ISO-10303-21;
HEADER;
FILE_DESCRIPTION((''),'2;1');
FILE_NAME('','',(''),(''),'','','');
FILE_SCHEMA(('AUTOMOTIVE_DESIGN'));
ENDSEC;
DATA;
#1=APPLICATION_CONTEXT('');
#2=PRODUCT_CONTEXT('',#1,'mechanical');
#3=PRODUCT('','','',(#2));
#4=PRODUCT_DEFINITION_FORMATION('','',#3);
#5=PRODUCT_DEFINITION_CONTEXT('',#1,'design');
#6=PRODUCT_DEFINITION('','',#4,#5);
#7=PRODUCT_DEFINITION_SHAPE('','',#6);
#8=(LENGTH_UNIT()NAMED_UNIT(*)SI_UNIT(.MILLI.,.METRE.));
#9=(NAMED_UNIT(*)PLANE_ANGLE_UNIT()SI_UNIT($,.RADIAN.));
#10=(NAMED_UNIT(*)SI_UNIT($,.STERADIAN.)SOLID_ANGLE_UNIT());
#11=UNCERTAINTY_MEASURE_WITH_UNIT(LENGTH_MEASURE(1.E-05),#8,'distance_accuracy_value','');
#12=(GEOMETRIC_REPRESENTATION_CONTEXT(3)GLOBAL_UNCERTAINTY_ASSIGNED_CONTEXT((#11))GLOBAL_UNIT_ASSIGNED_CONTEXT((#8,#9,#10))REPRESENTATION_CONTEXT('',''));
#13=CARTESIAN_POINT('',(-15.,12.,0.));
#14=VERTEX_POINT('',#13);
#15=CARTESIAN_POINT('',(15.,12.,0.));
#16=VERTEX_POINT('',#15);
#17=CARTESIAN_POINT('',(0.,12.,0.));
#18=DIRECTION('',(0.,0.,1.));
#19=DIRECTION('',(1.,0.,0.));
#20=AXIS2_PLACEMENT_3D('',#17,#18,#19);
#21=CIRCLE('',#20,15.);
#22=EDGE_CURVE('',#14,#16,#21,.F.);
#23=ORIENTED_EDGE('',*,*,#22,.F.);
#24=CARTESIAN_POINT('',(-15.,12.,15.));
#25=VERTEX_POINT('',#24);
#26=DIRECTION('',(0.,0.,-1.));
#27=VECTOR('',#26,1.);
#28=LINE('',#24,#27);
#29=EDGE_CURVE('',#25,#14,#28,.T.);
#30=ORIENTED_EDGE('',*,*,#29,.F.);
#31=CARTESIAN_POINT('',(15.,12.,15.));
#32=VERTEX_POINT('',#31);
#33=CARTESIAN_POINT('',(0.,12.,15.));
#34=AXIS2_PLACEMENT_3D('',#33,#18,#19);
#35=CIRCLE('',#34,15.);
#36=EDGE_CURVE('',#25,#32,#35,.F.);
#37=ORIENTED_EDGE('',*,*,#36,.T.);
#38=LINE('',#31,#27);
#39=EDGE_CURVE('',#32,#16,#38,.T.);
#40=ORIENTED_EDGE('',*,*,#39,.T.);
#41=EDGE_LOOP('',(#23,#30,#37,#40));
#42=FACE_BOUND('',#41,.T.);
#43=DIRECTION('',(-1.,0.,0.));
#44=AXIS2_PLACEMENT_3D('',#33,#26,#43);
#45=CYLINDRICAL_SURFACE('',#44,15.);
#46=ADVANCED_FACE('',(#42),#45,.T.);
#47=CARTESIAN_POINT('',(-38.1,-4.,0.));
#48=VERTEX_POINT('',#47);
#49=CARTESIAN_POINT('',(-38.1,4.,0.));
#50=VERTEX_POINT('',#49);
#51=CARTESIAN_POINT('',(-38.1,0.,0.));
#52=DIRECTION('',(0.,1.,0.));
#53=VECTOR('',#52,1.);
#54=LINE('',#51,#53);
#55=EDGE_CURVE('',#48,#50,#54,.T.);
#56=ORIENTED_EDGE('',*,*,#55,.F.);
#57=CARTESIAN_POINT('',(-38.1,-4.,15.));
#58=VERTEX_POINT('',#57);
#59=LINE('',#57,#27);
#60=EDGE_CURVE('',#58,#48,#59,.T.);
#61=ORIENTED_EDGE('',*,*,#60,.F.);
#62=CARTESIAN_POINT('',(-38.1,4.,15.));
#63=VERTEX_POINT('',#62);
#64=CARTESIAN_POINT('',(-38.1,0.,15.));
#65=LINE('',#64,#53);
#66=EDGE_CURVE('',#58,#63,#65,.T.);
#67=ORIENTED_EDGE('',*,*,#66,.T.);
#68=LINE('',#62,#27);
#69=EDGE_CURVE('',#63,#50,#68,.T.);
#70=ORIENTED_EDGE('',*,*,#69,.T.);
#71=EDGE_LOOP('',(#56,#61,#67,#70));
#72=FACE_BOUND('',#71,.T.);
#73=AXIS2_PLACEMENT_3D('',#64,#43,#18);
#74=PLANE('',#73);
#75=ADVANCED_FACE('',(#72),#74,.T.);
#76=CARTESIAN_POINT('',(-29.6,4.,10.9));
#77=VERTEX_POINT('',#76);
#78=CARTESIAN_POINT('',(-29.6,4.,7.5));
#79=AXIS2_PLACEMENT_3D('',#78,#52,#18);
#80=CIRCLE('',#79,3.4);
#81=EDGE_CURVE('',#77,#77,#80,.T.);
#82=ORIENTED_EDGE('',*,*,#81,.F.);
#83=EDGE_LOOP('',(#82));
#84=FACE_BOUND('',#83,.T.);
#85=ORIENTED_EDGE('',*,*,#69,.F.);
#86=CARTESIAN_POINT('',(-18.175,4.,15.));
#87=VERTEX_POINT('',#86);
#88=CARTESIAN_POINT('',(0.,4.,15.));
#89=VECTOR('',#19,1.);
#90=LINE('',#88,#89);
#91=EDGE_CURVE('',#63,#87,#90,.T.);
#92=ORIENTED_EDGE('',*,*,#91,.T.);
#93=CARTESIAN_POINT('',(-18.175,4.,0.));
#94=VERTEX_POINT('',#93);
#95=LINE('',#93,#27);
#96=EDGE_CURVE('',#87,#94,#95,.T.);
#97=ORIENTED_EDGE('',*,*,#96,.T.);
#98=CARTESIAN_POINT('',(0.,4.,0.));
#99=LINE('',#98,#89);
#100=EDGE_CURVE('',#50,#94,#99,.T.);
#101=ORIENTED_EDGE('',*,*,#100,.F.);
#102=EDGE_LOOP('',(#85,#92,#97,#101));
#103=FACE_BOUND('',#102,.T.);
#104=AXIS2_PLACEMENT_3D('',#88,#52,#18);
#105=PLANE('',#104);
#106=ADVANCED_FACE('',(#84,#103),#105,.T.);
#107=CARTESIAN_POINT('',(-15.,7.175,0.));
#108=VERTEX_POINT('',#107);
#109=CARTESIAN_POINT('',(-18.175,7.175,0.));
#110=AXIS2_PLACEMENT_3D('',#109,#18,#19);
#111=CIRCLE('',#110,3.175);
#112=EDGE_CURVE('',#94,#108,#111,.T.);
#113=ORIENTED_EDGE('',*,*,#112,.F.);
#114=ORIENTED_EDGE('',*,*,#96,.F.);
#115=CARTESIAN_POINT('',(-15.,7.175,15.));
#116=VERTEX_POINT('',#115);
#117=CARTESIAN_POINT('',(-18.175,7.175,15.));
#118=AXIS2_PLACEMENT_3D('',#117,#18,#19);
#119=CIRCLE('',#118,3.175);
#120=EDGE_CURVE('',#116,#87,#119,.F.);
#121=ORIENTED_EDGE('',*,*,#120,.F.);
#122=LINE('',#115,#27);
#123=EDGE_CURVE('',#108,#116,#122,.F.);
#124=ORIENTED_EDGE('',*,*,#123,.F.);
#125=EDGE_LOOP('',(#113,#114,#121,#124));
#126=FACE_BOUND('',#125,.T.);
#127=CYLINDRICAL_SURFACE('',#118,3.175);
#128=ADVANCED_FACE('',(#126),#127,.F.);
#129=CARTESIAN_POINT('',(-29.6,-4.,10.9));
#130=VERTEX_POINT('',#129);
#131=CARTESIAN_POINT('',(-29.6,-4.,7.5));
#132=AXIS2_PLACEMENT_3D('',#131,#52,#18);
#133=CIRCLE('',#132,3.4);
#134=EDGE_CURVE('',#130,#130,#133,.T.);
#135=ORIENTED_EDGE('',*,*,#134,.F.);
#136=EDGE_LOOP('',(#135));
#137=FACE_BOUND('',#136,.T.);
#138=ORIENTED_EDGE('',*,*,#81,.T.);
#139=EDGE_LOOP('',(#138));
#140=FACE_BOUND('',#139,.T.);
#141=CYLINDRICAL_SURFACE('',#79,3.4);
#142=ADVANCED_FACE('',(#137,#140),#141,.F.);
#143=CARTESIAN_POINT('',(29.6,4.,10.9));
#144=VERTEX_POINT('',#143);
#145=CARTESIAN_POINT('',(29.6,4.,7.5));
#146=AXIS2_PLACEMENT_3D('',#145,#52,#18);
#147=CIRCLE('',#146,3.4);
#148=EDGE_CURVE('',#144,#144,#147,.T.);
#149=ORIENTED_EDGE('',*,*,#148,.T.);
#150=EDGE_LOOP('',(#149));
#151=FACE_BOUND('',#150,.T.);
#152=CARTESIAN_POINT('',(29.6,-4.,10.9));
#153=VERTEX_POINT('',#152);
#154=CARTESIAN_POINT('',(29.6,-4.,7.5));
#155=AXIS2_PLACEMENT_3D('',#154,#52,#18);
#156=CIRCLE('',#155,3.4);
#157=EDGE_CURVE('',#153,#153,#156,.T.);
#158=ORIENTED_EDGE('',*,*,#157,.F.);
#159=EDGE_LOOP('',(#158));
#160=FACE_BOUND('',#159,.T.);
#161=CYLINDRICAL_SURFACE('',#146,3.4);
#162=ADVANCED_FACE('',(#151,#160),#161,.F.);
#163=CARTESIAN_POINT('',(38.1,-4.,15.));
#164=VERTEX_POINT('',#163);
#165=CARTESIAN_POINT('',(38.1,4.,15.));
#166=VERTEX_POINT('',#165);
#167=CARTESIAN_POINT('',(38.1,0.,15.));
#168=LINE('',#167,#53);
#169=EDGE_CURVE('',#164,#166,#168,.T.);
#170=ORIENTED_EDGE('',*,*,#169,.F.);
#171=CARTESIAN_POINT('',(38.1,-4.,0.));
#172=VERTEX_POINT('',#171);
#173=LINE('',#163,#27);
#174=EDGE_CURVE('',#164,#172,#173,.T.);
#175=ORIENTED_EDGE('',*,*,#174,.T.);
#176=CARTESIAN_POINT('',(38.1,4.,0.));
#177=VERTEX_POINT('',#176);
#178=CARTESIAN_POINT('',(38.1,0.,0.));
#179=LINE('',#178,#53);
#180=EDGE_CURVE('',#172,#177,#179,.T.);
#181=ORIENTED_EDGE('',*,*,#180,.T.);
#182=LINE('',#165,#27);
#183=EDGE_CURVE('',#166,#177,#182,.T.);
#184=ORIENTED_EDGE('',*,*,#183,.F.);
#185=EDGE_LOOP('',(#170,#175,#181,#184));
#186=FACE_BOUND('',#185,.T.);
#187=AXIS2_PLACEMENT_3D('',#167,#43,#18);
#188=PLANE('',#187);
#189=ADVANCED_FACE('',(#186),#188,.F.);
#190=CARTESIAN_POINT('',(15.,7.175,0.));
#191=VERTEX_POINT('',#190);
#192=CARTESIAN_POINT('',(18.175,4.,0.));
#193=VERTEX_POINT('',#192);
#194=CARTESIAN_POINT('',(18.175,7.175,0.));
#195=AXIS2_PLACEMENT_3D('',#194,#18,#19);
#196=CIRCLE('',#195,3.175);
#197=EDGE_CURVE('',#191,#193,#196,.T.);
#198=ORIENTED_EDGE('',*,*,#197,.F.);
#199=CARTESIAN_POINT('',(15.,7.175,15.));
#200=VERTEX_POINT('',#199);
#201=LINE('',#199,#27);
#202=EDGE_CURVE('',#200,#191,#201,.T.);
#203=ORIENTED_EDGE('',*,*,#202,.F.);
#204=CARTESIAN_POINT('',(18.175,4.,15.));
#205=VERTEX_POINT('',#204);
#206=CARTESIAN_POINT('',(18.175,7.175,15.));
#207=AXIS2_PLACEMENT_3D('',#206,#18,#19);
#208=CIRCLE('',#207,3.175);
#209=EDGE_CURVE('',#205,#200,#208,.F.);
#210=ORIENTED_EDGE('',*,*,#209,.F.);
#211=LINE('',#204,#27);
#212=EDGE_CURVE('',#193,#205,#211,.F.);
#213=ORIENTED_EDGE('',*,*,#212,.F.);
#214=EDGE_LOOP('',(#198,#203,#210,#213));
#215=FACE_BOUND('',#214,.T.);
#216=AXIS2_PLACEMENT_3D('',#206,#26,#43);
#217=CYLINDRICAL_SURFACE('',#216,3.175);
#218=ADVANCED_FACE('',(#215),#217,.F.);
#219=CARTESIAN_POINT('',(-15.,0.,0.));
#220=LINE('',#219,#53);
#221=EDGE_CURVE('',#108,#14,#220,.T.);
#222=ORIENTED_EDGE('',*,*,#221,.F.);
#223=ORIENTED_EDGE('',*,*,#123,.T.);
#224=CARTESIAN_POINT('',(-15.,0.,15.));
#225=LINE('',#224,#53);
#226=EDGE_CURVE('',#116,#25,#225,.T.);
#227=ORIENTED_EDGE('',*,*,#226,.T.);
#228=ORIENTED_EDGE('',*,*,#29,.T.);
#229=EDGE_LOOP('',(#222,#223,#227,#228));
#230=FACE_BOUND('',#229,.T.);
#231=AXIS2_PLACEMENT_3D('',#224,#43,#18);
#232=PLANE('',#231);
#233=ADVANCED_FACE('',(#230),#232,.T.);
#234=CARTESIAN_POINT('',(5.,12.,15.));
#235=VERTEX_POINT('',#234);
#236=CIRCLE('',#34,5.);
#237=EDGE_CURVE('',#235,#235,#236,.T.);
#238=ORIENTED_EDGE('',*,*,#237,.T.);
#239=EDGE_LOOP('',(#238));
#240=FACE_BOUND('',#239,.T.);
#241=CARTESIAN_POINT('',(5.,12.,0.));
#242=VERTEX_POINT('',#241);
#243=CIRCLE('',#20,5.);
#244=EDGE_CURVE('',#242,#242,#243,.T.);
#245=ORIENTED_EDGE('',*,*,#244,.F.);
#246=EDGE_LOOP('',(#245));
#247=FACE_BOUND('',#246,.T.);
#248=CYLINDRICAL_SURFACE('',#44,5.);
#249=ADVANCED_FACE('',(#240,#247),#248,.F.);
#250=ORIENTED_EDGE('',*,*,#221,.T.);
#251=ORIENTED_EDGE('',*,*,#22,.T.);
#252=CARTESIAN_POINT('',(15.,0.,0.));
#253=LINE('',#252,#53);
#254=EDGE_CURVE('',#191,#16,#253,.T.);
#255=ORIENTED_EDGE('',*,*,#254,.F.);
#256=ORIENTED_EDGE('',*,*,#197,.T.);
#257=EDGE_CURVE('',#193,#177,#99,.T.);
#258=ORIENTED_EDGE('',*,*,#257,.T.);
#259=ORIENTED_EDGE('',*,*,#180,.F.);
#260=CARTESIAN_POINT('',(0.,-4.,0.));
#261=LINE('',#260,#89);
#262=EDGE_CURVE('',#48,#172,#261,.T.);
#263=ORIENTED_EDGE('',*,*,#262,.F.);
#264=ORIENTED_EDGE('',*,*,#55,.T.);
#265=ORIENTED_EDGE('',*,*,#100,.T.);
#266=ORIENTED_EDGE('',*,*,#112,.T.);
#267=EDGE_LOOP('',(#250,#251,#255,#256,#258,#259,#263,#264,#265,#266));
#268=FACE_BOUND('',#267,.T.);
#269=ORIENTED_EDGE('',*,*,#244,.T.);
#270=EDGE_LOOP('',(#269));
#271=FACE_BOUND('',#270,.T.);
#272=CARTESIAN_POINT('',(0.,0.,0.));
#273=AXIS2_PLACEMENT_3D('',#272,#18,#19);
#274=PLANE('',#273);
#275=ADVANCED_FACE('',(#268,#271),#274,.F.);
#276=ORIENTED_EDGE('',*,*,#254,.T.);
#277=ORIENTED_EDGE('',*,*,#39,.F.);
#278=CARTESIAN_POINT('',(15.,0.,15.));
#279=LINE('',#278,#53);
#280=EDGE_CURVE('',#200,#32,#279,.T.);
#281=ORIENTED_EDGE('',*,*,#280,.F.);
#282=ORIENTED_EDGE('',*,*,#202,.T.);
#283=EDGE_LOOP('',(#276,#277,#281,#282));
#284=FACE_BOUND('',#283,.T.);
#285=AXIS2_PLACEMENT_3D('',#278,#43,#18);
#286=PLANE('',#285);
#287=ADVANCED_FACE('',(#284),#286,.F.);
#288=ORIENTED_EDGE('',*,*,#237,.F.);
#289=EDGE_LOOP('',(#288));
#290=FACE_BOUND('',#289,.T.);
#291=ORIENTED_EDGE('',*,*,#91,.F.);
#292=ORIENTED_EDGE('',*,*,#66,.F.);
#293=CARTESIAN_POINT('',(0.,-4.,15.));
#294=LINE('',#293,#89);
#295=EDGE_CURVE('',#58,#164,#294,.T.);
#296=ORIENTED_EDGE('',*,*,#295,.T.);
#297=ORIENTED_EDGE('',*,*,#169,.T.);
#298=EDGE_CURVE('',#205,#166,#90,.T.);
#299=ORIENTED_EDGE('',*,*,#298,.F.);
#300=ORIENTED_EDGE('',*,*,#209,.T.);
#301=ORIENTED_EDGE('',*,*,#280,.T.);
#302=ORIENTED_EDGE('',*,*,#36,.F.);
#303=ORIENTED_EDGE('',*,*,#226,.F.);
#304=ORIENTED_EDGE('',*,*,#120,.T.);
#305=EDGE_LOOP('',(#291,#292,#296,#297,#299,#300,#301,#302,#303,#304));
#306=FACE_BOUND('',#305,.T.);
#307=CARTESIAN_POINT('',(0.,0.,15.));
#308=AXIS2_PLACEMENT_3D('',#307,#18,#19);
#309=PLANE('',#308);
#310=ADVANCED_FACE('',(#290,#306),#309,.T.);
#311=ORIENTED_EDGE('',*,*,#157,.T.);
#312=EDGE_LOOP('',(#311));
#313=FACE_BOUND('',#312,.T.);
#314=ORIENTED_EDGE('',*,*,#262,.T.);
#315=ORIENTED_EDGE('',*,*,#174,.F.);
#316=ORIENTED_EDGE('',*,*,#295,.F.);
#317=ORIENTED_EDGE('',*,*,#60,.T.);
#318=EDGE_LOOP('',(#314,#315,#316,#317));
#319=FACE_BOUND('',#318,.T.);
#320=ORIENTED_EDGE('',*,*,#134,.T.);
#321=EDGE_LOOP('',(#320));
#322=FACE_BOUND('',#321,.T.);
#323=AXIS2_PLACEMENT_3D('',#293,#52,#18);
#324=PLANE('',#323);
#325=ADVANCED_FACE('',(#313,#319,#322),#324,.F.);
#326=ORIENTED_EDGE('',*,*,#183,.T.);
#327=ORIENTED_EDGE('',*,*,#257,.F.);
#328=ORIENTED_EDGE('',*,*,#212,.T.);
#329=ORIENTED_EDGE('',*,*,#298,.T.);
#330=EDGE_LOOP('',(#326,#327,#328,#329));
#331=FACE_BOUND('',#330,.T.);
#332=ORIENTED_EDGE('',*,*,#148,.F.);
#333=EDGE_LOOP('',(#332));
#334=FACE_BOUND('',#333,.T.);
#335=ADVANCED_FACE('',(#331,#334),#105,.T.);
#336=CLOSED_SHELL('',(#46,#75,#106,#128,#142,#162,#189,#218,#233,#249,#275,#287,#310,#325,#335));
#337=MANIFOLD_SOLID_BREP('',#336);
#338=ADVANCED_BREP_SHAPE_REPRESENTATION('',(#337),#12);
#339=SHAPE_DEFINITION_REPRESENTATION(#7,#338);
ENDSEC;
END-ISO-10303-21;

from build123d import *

# Parameters (mm, degrees)
SKETCH1_R                        = 5
BOSS_EXTRUDE1_DEPTH              = 15
FILLET1_R                        = 3.175
TAP_DRILL_FOR_M8X1_25_TAP1_D     = 6.8
TAP_DRILL_FOR_M8X1_25_TAP1_DEPTH = 20
TAP_DRILL_FOR_M8X1_25_TAP1_TIP   = 2.042926105


with BuildPart() as part:
    # Sketch1 → Boss-Extrude1 (new body)
    with BuildSketch(Plane.XY):
        with BuildLine():
            Line((-38.1, 4), (-38.1, -4))
            Line((-38.1, -4), (38.1, -4))
            Line((38.1, -4), (38.1, 4))
            Line((38.1, 4), (15, 4))
            Line((15, 4), (15, 12))
            ThreePointArc((15, 12), (0, 27), (-15, 12))
            Line((-15, 12), (-15, 4))
            Line((-15, 4), (-38.1, 4))
        make_face()
        with Locations((0, 12)):
            Circle(SKETCH1_R, mode=Mode.SUBTRACT)
    extrude(amount=BOSS_EXTRUDE1_DEPTH)

    # Fillet1
    fillet1_edges = [part.edges().sort_by_distance(p)[0] for p in [
        (15, 4, 7.5),
        (-15, 4, 7.5),
    ]]
    fillet(fillet1_edges, radius=FILLET1_R)

    # Tap Drill for M8x1.25 Tap1
    with Locations(Plane(origin=(0, 4, 0), x_dir=(1, 0, 0), z_dir=(0, 1, 0))):
        with Locations((29.6, -7.5), (-29.6, -7.5)):
            Hole(TAP_DRILL_FOR_M8X1_25_TAP1_D / 2, depth=TAP_DRILL_FOR_M8X1_25_TAP1_DEPTH)
            with Locations((0, 0, -(TAP_DRILL_FOR_M8X1_25_TAP1_DEPTH + TAP_DRILL_FOR_M8X1_25_TAP1_TIP / 2))):  # 118° drill point
                Cone(0, TAP_DRILL_FOR_M8X1_25_TAP1_D / 2, TAP_DRILL_FOR_M8X1_25_TAP1_TIP, mode=Mode.SUBTRACT)


solid = part.part
